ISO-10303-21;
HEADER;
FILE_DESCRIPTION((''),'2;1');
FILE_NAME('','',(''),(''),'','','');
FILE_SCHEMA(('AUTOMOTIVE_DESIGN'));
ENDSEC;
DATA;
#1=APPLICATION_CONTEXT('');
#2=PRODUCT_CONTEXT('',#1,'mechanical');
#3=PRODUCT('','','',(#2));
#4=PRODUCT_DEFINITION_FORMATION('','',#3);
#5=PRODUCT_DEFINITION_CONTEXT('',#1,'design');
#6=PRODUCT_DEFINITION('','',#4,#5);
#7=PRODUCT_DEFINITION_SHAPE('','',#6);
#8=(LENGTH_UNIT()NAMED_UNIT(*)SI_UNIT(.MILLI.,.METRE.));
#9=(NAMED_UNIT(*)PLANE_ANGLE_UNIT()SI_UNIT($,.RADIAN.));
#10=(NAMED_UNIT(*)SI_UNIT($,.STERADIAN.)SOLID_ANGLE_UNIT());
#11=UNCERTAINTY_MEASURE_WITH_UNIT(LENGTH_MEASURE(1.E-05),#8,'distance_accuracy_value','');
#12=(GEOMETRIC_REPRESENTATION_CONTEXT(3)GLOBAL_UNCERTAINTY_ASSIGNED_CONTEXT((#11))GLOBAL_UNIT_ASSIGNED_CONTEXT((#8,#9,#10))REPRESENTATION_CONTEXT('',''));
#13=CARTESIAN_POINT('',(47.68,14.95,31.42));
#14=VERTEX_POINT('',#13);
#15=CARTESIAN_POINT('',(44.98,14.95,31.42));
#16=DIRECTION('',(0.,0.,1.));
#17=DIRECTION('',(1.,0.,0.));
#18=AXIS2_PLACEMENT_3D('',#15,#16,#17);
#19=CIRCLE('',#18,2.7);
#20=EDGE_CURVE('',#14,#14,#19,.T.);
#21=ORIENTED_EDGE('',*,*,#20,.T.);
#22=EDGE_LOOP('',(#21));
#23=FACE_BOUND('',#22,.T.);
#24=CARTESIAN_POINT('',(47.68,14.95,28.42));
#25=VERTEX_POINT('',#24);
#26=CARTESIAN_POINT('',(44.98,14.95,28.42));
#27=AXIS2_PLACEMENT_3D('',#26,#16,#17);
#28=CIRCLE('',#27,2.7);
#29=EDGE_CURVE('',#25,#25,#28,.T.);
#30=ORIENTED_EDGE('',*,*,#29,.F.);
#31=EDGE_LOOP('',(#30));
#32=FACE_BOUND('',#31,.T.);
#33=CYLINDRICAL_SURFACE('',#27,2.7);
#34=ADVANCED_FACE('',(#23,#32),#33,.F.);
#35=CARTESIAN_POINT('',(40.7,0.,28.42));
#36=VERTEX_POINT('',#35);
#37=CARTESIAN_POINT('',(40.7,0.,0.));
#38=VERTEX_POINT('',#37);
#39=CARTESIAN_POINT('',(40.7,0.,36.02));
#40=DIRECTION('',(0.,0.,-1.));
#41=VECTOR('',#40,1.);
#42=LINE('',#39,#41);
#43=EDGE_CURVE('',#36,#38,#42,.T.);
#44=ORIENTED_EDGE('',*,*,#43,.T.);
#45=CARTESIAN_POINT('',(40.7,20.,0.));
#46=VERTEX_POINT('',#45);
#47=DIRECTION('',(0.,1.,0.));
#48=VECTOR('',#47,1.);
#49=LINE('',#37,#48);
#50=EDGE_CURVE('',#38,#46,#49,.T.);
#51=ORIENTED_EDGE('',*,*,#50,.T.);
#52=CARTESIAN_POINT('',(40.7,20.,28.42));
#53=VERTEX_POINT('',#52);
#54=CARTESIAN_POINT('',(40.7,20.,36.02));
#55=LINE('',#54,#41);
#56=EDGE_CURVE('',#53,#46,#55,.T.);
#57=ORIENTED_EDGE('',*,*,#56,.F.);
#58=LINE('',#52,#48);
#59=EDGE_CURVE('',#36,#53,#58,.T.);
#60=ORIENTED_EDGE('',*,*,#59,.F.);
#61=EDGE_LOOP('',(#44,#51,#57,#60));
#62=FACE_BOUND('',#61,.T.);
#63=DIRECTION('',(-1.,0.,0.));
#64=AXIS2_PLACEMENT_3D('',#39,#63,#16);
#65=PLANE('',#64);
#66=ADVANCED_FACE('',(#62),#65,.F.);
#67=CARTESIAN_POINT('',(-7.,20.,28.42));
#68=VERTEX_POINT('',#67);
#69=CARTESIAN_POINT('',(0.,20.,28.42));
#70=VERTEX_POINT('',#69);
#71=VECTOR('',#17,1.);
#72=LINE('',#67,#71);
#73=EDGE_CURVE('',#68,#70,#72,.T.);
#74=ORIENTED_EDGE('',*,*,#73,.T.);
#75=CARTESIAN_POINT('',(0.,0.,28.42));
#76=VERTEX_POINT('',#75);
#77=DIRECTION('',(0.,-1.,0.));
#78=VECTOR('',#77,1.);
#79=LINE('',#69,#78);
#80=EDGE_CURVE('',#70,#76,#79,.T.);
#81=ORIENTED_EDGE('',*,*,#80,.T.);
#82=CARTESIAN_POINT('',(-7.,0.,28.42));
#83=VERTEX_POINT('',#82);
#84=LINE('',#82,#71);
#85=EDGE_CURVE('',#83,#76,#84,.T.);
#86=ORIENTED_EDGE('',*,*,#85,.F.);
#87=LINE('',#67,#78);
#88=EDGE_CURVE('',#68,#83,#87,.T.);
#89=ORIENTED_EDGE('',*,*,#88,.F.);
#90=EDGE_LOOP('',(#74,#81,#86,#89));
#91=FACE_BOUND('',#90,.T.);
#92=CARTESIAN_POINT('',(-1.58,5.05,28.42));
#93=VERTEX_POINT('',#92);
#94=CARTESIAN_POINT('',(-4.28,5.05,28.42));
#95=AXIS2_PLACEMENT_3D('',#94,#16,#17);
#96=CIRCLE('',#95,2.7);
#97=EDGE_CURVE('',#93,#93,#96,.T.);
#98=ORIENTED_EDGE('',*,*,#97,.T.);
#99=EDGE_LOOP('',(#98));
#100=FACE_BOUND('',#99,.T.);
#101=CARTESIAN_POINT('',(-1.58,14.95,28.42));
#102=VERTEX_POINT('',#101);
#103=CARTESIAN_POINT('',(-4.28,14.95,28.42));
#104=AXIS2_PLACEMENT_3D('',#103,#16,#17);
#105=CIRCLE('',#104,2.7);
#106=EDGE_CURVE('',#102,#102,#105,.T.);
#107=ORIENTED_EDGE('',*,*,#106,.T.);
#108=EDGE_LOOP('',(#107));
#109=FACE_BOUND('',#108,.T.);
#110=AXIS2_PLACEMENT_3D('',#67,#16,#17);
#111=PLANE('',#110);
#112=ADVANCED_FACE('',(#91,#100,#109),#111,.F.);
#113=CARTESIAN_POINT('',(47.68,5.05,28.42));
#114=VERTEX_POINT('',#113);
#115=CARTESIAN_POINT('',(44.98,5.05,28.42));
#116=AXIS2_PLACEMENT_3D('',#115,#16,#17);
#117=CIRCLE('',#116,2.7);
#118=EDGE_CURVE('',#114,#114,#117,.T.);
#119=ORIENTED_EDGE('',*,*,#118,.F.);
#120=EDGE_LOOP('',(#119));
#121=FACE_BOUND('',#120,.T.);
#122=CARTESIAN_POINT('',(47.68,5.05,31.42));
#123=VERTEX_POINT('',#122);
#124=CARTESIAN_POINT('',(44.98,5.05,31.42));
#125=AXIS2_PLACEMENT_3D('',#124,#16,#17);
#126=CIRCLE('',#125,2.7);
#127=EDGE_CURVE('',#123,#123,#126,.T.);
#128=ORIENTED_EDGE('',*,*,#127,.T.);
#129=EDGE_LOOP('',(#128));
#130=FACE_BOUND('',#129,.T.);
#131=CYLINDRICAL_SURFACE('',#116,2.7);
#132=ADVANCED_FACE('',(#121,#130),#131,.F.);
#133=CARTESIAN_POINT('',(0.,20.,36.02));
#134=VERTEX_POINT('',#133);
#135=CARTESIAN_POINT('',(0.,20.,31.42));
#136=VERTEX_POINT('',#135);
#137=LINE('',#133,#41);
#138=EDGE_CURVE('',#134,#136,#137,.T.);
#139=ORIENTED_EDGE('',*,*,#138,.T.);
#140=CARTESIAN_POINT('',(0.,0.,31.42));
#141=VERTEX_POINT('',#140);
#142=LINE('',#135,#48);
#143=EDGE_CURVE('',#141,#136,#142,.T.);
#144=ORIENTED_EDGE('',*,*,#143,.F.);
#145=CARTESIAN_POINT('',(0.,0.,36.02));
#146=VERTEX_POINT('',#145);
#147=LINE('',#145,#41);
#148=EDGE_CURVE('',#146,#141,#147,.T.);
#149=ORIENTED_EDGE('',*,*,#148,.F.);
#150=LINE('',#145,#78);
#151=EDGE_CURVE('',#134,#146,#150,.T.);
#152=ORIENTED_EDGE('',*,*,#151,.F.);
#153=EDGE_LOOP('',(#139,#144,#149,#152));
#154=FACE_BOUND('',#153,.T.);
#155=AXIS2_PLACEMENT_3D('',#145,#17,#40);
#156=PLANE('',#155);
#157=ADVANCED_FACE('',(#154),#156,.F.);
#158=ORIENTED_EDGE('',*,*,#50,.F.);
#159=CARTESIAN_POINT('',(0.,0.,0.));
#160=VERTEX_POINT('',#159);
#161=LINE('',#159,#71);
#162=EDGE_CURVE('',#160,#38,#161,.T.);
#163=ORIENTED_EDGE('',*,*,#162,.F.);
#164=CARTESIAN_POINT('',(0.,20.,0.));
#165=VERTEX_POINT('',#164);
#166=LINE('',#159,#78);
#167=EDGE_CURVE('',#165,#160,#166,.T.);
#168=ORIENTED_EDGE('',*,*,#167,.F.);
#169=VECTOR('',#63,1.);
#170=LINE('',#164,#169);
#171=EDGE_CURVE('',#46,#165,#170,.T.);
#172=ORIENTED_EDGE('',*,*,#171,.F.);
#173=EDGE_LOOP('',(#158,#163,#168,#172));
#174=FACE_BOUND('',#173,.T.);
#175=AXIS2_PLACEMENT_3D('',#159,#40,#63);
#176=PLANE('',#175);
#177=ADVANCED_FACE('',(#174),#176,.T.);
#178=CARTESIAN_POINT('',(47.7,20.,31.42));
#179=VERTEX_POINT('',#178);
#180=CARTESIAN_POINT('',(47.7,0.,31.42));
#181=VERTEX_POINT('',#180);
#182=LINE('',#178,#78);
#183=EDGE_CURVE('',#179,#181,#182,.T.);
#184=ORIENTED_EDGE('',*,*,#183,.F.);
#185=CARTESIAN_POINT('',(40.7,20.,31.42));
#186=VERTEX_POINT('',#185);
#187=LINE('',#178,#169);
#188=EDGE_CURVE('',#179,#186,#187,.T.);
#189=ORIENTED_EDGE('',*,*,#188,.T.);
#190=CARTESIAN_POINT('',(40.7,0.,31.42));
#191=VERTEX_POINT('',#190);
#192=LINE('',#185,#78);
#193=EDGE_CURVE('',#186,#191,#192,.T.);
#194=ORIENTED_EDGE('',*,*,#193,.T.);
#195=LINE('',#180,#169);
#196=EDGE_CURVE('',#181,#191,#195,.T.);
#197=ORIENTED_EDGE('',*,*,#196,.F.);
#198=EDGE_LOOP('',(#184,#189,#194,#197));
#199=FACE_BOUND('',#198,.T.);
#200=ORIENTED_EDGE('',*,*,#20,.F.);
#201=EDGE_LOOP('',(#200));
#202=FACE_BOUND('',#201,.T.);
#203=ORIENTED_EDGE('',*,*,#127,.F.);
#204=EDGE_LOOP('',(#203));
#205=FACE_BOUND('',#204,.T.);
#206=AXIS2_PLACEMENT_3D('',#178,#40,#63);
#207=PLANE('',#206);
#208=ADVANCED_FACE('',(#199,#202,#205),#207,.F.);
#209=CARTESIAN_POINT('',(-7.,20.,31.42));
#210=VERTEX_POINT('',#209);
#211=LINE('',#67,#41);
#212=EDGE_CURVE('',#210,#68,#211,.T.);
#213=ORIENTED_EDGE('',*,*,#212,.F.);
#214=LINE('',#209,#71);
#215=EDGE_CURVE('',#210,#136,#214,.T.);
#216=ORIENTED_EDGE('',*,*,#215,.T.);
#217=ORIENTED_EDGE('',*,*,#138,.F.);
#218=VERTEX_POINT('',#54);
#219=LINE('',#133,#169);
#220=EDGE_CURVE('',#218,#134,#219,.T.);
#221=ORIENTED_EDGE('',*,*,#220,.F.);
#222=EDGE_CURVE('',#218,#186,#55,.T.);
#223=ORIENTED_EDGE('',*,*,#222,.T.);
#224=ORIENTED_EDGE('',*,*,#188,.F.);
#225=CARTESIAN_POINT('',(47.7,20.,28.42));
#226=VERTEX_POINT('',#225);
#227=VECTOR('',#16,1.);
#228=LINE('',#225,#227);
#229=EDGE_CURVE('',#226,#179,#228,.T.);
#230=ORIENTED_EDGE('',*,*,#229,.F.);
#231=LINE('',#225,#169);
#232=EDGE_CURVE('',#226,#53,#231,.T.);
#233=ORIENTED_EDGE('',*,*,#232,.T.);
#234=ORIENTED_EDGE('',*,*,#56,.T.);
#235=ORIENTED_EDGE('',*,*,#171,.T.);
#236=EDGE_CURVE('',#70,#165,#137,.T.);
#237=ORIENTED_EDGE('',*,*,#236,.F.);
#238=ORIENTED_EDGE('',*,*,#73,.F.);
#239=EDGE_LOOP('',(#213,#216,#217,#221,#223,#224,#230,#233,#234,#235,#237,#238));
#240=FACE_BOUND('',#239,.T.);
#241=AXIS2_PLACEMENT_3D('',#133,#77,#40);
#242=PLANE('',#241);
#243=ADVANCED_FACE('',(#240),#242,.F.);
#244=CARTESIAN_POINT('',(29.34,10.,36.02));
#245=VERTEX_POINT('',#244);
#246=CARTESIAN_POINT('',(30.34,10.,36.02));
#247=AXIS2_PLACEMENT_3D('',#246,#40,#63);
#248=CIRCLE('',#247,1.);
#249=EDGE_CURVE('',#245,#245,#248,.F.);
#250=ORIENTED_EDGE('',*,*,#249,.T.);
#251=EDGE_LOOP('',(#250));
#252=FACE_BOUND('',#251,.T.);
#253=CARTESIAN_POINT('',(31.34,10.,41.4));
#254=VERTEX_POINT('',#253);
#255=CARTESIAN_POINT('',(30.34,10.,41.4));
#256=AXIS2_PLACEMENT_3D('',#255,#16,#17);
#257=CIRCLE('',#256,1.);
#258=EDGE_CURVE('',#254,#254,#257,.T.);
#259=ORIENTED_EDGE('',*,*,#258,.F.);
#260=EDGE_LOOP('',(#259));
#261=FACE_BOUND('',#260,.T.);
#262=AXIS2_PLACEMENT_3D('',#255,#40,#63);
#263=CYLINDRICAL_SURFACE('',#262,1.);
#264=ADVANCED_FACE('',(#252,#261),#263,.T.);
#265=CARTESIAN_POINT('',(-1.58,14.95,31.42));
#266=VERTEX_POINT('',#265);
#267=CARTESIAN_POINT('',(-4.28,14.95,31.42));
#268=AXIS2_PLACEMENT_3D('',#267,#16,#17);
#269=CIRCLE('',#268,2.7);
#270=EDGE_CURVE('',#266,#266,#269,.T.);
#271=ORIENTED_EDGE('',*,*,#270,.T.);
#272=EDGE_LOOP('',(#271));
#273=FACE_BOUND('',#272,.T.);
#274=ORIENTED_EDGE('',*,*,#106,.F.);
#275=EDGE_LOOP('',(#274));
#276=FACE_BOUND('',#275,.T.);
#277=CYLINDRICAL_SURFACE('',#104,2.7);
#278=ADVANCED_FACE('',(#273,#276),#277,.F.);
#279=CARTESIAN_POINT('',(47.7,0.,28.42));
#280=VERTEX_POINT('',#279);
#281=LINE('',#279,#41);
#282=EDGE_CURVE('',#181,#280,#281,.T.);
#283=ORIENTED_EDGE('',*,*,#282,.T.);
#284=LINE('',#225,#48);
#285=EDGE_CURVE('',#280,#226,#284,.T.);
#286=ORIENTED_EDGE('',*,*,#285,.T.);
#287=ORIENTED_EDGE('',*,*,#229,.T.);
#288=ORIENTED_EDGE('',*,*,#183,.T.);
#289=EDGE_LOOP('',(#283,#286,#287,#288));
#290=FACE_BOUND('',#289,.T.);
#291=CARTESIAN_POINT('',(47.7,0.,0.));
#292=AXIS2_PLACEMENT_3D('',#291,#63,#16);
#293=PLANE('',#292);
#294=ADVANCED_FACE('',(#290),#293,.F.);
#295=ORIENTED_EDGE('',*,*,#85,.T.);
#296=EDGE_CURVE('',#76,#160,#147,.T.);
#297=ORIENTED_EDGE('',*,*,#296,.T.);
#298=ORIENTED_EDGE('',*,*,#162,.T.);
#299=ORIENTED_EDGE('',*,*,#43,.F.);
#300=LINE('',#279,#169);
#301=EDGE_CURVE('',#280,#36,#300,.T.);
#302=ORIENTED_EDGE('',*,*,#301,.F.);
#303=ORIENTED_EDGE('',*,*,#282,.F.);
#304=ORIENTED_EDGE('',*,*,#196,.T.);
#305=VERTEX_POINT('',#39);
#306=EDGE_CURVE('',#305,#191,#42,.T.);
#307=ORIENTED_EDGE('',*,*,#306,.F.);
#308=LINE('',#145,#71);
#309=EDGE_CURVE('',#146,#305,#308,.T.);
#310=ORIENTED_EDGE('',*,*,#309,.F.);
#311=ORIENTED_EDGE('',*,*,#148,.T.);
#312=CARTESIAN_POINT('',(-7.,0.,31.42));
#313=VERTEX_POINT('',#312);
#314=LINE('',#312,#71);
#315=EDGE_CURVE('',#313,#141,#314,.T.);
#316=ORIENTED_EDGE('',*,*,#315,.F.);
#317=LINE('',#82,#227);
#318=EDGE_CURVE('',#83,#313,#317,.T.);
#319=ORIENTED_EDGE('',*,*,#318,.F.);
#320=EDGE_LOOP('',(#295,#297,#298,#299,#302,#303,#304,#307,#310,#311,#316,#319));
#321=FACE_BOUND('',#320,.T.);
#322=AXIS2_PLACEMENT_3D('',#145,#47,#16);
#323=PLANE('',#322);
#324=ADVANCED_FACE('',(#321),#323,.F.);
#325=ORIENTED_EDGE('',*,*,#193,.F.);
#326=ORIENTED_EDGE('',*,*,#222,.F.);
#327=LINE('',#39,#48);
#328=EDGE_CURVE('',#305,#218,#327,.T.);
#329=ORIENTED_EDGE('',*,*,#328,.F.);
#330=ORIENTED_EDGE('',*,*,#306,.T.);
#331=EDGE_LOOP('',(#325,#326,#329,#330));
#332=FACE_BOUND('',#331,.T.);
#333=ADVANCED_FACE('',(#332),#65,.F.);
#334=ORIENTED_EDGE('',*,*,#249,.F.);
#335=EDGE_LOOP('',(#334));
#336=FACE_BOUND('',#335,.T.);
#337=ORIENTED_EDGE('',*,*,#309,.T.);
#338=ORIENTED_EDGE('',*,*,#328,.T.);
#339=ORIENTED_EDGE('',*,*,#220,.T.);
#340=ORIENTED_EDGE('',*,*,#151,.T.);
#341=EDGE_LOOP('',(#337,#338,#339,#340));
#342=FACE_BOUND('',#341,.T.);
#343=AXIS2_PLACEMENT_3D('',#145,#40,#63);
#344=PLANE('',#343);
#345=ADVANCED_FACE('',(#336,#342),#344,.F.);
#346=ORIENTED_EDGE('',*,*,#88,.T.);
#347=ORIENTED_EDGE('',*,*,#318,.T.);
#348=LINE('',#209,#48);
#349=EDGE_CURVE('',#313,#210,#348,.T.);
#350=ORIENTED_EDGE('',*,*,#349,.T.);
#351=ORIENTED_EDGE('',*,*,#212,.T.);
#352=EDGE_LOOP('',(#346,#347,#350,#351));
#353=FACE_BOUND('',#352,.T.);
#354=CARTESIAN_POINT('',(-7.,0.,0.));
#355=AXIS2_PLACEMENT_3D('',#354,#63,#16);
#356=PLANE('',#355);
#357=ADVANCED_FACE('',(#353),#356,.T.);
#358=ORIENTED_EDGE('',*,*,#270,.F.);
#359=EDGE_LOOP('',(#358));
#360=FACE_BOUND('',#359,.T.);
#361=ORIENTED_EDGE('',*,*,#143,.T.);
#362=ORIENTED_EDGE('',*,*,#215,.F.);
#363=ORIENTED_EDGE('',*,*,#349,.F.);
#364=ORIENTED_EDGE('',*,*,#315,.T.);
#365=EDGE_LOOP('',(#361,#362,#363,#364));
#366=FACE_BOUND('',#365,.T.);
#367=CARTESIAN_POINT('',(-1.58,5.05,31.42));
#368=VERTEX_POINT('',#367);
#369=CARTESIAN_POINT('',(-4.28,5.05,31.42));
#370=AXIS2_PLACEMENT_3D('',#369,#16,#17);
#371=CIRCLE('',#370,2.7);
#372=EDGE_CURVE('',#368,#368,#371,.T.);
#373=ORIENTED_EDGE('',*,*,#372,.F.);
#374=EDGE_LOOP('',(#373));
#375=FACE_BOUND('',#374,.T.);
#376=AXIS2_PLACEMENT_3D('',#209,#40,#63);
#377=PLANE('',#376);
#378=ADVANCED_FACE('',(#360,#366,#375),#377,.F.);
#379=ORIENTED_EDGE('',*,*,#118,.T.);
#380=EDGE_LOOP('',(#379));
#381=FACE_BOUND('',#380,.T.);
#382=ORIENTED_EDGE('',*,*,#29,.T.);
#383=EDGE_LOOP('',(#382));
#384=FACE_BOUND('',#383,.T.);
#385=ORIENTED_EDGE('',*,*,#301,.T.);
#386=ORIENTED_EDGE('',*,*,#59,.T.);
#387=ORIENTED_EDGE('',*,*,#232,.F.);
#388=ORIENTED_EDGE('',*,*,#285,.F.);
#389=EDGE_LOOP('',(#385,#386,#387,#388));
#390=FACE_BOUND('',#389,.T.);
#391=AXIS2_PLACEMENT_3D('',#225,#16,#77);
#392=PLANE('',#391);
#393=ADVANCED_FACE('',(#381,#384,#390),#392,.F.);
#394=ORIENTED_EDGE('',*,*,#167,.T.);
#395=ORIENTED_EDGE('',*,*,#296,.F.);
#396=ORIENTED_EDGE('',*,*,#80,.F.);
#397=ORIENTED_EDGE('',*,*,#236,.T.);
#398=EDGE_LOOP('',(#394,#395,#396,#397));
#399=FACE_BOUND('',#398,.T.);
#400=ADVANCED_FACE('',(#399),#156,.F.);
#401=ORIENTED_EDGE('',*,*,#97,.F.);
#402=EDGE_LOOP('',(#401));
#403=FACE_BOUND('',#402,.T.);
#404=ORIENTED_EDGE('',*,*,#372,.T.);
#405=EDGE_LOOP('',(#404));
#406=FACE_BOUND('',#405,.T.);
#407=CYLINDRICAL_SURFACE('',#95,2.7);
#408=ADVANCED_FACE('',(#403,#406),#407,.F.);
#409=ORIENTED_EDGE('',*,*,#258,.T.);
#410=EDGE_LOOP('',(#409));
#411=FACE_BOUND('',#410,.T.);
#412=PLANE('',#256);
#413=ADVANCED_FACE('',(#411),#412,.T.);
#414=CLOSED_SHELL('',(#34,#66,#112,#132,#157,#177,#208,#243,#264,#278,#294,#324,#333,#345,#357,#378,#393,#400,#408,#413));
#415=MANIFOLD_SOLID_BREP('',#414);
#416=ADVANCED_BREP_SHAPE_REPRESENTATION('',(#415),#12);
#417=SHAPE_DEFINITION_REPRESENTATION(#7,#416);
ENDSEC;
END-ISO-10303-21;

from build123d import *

# Parameters (mm, degrees)
SKETCH1_W           = 40.7
SKETCH1_H           = 20
BOSS_EXTRUDE1_DEPTH = 36.02
SKETCH3_R           = 1
BOSS_EXTRUDE2_DEPTH = 5.38
SKETCH4_W           = 3
SKETCH4_H           = 20
BOSS_EXTRUDE3_DEPTH = 7
SKETCH6_W           = 3
SKETCH6_H           = 20
BOSS_EXTRUDE4_DEPTH = 7
SKETCH7_R           = 2.7
CUT_EXTRUDE1_DEPTH  = 3


with BuildPart() as part:
    # Sketch1 → Boss-Extrude1 (new body)
    with BuildSketch(Plane.XY):
        with Locations((20.35, 10)):
            Rectangle(SKETCH1_W, SKETCH1_H)
    extrude(amount=BOSS_EXTRUDE1_DEPTH)

    # Sketch3 → Boss-Extrude2 (add)
    with BuildSketch(Plane.XY.offset(36.02)):
        with Locations(Location((30.34, 10, 0), (0, 0, 180))):
            Circle(SKETCH3_R)
    extrude(amount=BOSS_EXTRUDE2_DEPTH)

    # Sketch4 → Boss-Extrude3 (add)
    with BuildSketch(Plane(origin=(40.7, 0, 0), x_dir=(0, 0, -1), z_dir=(1, 0, 0))):
        with Locations((-29.92, 10)):
            Rectangle(SKETCH4_W, SKETCH4_H)
    extrude(amount=BOSS_EXTRUDE3_DEPTH)

    # Sketch6 → Boss-Extrude4 (add)
    with BuildSketch(Plane.ZY):
        with Locations((29.92, 10)):
            Rectangle(SKETCH6_W, SKETCH6_H)
    extrude(amount=BOSS_EXTRUDE4_DEPTH)

    # Sketch7 → Cut-Extrude1 (cut)
    with BuildSketch(Plane.XY.offset(31.42)):
        with Locations((-4.28, 14.95)):
            Circle(SKETCH7_R)
        with Locations((-4.28, 5.05)):
            Circle(SKETCH7_R)
        with Locations((44.98, 14.95)):
            Circle(SKETCH7_R)
        with Locations((44.98, 5.05)):
            Circle(SKETCH7_R)
    extrude(amount=-CUT_EXTRUDE1_DEPTH, mode=Mode.SUBTRACT)


solid = part.part
